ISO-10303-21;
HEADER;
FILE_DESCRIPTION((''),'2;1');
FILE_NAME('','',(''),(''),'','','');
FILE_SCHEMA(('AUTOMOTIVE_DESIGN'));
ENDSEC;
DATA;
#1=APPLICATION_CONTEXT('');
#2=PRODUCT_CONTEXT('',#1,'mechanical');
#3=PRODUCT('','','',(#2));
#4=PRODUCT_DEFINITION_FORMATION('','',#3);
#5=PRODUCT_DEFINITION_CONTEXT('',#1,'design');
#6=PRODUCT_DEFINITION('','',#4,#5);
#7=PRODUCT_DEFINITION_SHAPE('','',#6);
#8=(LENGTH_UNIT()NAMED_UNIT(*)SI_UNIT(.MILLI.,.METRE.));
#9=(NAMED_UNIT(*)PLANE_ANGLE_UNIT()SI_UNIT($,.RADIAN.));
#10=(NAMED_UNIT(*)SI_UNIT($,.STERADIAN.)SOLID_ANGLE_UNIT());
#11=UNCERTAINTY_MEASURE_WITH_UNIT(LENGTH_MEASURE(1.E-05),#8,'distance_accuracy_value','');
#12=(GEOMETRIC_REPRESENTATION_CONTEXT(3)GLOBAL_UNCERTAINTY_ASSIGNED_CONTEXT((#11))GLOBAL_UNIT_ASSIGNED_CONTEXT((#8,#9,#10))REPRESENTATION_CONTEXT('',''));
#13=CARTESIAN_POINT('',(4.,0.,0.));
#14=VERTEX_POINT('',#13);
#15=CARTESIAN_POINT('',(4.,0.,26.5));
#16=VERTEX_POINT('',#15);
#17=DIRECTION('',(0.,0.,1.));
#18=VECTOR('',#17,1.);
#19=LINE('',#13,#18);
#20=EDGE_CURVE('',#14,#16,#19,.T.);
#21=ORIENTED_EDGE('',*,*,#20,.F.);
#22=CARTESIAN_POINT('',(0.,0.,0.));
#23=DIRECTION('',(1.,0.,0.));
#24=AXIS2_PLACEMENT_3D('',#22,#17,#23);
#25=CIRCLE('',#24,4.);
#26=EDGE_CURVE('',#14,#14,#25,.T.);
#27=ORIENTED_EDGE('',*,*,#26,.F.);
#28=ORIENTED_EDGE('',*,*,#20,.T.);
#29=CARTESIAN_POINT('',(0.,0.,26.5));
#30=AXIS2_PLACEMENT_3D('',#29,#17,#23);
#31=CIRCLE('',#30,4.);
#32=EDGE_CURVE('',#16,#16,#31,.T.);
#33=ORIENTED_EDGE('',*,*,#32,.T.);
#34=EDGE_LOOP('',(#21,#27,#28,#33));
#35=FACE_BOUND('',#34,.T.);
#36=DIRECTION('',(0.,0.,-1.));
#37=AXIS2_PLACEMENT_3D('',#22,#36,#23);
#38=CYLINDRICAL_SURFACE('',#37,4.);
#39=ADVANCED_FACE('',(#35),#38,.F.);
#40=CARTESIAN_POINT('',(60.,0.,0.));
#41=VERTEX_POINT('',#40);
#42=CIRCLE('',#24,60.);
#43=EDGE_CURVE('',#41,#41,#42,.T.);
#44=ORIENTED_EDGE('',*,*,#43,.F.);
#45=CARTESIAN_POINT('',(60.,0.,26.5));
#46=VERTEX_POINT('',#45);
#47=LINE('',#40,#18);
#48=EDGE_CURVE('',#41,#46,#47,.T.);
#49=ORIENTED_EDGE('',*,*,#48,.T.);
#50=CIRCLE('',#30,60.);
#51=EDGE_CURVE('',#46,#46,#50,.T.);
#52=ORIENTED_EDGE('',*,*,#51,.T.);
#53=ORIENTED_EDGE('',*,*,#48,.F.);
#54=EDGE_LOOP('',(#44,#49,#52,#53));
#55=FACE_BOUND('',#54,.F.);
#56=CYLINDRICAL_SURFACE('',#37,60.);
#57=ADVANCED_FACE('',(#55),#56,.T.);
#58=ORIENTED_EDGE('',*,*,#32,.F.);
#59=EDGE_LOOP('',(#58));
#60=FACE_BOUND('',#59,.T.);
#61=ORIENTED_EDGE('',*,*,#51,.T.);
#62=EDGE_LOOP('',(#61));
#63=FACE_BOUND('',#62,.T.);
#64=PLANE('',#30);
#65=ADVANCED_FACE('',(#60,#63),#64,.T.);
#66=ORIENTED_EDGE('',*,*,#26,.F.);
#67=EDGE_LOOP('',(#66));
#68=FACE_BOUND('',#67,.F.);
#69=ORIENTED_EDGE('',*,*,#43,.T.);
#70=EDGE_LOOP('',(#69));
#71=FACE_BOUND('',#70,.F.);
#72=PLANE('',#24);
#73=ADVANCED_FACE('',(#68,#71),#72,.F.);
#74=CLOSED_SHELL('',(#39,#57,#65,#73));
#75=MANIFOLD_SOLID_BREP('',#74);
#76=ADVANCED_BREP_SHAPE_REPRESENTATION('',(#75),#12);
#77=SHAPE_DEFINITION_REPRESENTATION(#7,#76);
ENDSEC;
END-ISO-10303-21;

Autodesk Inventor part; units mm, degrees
ref_plane "YZ Plane" through (0, 0, 0) normal (1, 0, 0) x (0, 1, 0)
ref_plane "XZ Plane" through (0, 0, 0) normal (0, 1, 0) x (-1, 0, 0)
ref_plane "XY Plane" through (0, 0, 0) normal (0, 0, 1) x (1, 0, 0)
sketch "Эскиз1" plane through (0, 0, 0) normal (0, 0, 1) x (1, 0, 0)
  circle A0 centre (0, 0) radius 60
  circle A1 centre (0, 0) radius 4
  dimension "d0" = 8
  dimension "d1" = 120
extrude "Выдавливание1" add sketch "Эскиз1" along normal blind 26.5
properties part number "wheel"
